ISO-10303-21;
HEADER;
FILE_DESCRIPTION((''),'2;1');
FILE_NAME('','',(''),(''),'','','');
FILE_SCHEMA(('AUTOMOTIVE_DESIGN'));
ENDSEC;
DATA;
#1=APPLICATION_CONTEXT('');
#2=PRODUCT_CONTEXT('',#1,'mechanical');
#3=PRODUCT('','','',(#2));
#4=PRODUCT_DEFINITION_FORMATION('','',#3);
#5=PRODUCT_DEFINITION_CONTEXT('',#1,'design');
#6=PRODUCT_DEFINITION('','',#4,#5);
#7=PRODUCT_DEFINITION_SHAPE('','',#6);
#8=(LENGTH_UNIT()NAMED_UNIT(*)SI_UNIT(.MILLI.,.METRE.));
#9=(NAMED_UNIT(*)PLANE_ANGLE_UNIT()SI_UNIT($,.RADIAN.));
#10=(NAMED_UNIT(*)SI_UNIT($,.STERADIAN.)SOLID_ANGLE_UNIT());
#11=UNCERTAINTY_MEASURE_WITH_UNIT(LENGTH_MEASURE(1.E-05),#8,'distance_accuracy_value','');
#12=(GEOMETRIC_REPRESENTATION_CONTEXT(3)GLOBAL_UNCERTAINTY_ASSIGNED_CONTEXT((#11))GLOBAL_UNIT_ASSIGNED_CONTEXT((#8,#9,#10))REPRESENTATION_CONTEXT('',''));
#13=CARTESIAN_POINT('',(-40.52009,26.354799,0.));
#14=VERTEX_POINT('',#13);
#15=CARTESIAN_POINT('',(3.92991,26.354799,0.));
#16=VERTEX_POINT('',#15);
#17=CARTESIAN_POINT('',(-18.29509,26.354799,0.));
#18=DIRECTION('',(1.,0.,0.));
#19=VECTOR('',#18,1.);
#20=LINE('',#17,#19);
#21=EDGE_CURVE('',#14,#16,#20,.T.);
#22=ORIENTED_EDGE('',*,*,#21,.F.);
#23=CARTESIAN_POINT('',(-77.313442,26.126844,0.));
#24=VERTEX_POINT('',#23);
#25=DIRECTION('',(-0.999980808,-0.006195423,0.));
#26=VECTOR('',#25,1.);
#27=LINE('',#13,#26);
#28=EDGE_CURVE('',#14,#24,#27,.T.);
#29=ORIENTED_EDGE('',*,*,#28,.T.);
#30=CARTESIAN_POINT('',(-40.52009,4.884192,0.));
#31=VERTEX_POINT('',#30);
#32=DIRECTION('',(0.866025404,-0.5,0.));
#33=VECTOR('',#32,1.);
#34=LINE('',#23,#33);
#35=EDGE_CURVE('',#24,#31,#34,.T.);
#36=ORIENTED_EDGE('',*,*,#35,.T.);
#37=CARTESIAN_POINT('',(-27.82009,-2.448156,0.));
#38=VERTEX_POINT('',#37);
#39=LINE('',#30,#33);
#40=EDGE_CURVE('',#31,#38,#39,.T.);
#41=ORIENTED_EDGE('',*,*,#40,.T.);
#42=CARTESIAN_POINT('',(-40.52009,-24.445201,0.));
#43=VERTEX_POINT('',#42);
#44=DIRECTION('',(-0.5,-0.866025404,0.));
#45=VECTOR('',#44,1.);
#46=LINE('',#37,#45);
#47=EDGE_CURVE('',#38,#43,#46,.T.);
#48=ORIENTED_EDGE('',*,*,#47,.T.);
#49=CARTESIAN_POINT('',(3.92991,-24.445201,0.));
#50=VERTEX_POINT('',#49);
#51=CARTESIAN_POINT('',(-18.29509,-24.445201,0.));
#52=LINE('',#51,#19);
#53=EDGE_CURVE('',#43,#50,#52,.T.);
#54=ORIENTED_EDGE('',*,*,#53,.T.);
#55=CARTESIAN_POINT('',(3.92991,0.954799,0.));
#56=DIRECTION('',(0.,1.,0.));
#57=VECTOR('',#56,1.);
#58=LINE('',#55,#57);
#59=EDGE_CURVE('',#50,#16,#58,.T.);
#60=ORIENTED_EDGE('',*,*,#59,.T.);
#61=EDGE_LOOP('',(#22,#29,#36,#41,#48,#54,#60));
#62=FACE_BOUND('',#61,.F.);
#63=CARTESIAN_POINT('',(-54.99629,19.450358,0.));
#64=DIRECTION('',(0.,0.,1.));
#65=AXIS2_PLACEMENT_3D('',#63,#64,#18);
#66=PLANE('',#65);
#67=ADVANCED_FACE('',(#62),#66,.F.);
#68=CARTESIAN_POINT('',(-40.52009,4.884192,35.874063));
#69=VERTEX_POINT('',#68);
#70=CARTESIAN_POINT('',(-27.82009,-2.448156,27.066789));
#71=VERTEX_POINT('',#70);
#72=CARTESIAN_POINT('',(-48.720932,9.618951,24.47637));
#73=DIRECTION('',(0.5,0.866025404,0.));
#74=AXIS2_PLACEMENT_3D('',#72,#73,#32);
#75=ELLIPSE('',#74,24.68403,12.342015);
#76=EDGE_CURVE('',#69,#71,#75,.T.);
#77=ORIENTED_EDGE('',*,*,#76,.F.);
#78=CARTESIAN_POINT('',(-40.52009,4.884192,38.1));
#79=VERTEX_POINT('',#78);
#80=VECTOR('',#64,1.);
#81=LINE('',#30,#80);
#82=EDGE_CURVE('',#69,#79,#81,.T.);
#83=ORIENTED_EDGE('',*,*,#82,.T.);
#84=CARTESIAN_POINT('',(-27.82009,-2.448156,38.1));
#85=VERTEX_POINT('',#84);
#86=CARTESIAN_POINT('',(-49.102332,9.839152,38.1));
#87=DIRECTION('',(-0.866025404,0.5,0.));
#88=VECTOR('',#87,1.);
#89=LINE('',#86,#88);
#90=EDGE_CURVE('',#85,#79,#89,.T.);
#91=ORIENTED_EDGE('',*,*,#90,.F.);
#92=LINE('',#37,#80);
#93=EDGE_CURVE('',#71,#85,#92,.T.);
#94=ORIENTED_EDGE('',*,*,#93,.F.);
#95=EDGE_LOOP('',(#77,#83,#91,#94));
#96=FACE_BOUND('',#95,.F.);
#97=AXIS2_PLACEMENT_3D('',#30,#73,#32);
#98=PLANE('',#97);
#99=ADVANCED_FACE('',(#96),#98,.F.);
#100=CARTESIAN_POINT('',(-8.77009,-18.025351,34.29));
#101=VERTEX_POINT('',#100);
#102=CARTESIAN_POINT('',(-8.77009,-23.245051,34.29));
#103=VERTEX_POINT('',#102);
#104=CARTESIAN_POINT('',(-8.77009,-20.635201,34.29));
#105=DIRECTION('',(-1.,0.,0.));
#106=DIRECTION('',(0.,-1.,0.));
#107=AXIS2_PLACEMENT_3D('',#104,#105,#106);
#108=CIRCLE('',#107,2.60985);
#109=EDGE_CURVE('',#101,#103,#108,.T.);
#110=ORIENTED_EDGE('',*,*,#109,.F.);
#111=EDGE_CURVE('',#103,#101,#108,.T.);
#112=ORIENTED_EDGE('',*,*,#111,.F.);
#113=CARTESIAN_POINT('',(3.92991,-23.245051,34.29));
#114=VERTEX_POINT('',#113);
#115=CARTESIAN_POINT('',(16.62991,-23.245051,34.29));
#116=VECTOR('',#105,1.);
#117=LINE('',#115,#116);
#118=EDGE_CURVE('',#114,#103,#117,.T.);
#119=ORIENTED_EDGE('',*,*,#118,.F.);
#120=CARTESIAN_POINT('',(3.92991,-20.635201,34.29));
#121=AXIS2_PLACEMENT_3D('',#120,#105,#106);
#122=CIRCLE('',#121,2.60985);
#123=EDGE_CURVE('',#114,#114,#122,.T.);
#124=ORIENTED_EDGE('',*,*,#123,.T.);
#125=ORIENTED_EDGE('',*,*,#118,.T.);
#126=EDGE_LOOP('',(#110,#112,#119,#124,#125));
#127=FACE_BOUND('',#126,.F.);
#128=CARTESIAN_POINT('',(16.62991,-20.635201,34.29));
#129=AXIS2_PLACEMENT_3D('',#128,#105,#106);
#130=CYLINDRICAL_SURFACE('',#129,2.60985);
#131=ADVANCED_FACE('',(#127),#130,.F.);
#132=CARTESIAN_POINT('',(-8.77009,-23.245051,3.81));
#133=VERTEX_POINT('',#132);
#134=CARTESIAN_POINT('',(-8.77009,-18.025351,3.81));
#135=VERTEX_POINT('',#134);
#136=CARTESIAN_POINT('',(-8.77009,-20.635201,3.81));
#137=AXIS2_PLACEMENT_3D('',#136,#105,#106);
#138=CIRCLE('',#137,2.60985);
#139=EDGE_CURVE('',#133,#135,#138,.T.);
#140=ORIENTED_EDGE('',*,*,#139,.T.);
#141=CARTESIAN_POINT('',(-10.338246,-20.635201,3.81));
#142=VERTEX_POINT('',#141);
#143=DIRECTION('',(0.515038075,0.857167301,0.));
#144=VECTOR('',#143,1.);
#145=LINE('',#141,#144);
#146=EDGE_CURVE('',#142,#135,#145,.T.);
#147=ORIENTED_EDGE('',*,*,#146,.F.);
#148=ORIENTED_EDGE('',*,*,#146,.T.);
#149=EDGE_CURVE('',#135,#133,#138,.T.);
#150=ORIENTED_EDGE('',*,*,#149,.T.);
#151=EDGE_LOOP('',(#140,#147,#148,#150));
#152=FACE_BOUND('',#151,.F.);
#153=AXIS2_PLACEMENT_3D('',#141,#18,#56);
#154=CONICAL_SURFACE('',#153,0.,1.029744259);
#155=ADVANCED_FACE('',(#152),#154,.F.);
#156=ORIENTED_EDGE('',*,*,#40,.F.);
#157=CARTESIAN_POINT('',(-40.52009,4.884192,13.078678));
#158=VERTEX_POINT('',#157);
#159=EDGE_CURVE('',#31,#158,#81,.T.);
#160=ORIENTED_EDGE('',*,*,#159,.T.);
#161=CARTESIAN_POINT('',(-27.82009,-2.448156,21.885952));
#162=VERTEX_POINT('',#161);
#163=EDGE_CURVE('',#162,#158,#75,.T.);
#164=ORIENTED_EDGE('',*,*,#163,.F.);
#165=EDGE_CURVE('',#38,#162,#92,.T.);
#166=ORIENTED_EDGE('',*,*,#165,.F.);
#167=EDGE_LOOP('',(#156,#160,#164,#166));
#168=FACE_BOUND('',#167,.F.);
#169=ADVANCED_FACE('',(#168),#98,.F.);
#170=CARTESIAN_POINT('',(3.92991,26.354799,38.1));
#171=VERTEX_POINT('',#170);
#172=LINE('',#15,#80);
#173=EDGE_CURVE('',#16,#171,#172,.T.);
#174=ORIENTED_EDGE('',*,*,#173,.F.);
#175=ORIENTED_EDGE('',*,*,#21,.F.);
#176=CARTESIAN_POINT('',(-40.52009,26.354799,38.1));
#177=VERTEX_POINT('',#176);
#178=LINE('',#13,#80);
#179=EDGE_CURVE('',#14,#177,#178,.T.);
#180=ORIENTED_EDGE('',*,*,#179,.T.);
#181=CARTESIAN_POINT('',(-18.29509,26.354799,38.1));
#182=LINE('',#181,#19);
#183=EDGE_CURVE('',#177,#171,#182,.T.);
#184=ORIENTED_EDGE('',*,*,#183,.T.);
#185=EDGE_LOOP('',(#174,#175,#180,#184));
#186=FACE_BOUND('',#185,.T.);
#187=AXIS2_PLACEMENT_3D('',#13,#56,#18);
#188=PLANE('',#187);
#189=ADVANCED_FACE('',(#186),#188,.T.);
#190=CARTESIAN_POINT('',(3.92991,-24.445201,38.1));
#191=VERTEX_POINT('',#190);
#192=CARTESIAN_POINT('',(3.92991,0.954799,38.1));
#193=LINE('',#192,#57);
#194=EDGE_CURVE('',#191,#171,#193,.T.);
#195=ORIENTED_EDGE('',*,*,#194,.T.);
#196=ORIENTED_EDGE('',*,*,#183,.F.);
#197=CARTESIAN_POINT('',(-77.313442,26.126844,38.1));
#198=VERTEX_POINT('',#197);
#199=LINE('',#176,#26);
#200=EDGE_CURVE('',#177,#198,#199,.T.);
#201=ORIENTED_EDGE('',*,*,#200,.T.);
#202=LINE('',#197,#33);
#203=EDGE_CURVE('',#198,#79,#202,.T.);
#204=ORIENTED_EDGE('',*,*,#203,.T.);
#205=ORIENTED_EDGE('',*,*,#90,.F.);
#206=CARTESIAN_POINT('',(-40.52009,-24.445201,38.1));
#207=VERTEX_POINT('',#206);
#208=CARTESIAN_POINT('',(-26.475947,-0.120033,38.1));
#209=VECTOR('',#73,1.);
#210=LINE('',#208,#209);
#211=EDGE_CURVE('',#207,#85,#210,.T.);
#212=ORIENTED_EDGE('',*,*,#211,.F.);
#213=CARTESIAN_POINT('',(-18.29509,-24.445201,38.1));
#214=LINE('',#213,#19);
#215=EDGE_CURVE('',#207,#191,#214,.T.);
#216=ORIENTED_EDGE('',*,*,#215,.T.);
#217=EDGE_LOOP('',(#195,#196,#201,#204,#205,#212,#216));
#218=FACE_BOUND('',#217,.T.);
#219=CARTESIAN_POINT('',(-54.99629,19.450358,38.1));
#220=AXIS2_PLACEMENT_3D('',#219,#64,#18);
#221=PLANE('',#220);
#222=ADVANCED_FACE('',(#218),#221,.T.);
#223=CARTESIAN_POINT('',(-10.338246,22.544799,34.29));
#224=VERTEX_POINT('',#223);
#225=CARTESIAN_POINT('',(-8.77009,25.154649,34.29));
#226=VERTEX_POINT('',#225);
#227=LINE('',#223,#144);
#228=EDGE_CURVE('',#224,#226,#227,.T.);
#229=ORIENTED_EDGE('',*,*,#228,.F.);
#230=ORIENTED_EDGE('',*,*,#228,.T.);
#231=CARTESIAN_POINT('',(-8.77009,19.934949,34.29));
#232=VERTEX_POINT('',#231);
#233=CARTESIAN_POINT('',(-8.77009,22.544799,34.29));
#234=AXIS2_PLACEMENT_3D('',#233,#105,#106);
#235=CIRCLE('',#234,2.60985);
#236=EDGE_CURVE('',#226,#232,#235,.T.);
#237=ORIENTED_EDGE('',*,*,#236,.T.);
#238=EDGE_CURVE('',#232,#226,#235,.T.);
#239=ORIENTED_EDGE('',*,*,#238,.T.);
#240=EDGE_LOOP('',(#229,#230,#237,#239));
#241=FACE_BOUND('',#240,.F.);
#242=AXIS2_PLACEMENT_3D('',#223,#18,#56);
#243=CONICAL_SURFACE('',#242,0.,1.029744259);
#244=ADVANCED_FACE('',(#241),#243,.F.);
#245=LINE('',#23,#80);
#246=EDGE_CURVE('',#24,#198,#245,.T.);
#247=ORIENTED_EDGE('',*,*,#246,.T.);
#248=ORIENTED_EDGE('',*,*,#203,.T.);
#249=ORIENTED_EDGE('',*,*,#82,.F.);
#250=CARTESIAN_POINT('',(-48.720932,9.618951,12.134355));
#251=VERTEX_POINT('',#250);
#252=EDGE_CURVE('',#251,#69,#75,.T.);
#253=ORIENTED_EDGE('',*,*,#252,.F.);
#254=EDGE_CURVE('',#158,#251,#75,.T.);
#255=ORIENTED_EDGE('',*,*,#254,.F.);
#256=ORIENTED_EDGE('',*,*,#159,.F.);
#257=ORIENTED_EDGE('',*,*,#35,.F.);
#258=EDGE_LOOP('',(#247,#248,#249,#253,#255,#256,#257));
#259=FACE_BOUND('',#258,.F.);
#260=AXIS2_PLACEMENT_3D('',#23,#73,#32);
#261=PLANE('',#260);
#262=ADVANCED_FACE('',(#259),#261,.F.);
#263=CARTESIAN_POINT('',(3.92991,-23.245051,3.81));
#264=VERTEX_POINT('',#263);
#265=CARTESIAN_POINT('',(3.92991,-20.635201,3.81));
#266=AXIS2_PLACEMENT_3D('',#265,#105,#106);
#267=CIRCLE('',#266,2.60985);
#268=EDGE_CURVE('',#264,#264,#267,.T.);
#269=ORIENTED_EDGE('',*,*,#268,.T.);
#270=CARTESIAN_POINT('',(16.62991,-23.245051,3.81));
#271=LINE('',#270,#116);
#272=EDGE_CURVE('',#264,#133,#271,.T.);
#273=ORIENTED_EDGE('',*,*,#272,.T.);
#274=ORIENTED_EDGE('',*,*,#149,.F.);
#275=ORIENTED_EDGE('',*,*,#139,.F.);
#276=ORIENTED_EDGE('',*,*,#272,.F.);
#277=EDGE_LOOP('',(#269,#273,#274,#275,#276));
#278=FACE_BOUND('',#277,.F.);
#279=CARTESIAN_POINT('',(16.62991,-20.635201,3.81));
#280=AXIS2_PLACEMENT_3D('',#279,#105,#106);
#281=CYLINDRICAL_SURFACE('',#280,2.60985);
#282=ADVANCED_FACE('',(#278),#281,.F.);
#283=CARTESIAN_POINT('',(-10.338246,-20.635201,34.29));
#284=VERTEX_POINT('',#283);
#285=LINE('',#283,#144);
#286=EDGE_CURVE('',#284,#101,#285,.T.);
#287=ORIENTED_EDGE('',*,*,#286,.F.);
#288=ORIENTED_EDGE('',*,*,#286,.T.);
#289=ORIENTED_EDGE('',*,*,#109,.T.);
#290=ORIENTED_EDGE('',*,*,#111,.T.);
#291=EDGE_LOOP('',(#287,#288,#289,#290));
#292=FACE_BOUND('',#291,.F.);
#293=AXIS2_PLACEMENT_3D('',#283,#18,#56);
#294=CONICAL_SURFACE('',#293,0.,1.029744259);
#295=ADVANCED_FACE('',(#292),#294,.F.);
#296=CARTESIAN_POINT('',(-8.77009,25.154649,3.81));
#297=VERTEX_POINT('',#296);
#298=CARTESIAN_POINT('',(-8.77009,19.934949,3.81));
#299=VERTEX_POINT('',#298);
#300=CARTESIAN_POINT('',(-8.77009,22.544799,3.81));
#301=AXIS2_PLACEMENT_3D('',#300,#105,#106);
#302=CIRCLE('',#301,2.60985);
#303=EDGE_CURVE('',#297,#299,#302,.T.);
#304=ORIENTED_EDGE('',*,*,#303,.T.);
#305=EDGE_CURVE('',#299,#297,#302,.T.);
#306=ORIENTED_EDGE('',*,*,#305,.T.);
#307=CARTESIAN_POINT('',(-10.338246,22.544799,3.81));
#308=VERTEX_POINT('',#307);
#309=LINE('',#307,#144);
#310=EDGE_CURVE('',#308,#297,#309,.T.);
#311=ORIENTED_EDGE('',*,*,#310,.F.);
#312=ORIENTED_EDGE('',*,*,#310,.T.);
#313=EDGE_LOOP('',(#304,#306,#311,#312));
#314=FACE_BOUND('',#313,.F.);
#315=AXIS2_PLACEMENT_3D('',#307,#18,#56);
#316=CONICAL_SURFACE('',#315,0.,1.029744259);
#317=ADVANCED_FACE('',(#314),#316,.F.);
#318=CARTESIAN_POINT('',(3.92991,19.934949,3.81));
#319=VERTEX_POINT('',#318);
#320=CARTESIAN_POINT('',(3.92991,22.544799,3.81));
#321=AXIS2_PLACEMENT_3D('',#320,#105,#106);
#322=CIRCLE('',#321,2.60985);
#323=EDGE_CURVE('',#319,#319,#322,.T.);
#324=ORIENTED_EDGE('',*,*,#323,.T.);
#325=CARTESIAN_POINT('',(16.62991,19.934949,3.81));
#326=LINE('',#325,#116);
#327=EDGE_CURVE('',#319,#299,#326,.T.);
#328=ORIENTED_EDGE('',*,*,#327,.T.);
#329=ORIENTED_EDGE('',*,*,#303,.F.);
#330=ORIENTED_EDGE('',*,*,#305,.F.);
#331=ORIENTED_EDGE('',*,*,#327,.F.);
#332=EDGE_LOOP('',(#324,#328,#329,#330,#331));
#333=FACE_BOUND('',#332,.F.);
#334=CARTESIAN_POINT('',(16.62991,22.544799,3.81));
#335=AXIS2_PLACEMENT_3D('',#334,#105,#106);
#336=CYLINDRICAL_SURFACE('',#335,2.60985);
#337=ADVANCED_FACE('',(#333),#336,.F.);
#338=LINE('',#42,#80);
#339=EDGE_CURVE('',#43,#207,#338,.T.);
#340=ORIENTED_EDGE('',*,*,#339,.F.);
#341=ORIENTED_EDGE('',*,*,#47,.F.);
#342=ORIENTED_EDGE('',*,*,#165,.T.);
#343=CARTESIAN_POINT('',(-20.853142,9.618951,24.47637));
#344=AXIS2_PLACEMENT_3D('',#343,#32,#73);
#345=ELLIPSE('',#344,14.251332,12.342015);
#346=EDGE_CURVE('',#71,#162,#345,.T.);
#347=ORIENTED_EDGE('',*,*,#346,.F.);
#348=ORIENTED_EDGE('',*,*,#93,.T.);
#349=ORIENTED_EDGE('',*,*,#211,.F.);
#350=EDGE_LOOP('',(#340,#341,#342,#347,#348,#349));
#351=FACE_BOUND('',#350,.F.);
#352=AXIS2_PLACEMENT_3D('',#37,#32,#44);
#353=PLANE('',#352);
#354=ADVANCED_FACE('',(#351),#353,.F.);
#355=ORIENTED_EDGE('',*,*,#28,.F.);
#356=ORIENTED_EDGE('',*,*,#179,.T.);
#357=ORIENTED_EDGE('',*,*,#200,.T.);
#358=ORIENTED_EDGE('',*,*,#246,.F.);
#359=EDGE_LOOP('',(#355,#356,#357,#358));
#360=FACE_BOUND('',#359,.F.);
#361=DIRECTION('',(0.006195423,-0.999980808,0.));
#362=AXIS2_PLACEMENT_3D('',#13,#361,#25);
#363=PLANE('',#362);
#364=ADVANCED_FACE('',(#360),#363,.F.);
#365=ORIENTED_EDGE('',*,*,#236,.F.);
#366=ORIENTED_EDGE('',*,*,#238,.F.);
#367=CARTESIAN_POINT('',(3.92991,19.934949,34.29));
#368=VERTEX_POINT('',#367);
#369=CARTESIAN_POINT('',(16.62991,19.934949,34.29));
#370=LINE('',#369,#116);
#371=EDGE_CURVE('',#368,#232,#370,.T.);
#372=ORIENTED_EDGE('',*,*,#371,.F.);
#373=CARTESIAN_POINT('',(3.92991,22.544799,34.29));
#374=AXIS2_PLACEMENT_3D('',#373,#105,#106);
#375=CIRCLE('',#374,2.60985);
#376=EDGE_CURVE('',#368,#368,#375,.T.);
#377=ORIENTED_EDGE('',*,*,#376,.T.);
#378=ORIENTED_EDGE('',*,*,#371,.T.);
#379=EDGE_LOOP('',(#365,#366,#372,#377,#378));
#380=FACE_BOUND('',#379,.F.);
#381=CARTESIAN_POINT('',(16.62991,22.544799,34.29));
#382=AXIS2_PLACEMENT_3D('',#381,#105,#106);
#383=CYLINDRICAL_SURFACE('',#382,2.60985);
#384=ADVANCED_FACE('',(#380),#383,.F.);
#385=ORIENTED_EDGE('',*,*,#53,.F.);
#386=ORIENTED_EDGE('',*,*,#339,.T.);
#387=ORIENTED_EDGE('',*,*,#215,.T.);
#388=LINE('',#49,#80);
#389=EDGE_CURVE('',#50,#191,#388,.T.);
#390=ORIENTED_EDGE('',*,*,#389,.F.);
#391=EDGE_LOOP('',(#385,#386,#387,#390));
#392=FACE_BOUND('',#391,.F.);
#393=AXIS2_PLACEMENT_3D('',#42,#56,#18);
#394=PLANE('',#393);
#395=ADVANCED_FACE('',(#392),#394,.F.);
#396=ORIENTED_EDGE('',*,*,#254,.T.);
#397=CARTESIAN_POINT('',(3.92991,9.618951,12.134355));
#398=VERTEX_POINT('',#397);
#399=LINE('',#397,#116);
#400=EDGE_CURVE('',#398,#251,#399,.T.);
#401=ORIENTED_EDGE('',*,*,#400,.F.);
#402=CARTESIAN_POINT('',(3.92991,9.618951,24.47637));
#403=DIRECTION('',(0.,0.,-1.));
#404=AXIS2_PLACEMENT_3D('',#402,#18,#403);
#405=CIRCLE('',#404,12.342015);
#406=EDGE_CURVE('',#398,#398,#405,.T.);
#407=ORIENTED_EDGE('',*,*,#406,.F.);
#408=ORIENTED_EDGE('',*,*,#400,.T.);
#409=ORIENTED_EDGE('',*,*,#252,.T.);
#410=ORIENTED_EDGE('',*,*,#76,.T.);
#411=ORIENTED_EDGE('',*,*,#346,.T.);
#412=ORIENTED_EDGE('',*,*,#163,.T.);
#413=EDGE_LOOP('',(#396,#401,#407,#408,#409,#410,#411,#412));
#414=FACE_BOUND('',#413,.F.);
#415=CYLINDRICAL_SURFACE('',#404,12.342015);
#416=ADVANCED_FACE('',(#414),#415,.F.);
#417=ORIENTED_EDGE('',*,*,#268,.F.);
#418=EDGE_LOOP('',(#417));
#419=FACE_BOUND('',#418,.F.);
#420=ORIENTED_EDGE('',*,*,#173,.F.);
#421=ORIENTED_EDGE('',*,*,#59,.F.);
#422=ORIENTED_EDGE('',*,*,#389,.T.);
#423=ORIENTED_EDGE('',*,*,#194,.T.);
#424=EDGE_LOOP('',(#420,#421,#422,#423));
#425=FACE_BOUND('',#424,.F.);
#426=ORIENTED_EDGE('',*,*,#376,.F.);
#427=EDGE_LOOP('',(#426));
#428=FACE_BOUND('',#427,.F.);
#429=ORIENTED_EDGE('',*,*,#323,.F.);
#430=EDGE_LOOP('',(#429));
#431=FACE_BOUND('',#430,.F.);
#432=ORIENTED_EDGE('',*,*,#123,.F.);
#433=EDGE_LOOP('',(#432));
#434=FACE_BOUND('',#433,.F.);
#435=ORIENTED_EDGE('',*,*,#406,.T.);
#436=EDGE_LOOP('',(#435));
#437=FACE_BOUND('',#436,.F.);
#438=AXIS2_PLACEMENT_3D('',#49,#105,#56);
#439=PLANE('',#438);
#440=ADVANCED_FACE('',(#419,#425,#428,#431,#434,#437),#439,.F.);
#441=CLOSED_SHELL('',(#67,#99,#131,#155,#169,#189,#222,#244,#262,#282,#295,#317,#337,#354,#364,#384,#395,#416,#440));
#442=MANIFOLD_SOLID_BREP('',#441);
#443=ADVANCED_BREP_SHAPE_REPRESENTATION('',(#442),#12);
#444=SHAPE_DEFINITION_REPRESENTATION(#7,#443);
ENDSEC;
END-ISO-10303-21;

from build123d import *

# Parameters (mm, degrees)
SKETCH2_W                       = 44.45
SKETCH2_H                       = 50.8
BOSS_EXTRUDE2_DEPTH             = 38.1
F_5_0_2055_DIAMETER_HOLE1_D     = 5.2197
F_5_0_2055_DIAMETER_HOLE1_DEPTH = 12.7
F_5_0_2055_DIAMETER_HOLE1_TIP   = 1.568156087
BOSS_EXTRUDE3_DEPTH             = 38.1
CUT_EXTRUDE2_DEPTH              = 39.1
SKETCH3_R                       = 12.342015131
CUT_EXTRUDE1_DEPTH              = 1
CUT_EXTRUDE1_DEPTH_BACK         = 82.243351826


with BuildPart() as part:
    # Sketch2 → Boss-Extrude2 (new body)
    with BuildSketch(Plane.XY):
        with Locations((-18.295089844, 0.954798727)):
            Rectangle(SKETCH2_W, SKETCH2_H)
    extrude(amount=BOSS_EXTRUDE2_DEPTH)

    # #5 (0.2055) Diameter Hole1
    with Locations(Plane(origin=(3.929910156, 22.544798727, 34.29), x_dir=(0, 1, 0), z_dir=(1, 0, 0))):
        with Locations((0, 0), (0, -30.48), (-43.18, -30.48), (-43.18, 0)):
            Hole(F_5_0_2055_DIAMETER_HOLE1_D / 2, depth=F_5_0_2055_DIAMETER_HOLE1_DEPTH)
            with Locations((0, 0, -(F_5_0_2055_DIAMETER_HOLE1_DEPTH + F_5_0_2055_DIAMETER_HOLE1_TIP / 2))):  # 118° drill point
                Cone(0, F_5_0_2055_DIAMETER_HOLE1_D / 2, F_5_0_2055_DIAMETER_HOLE1_TIP, mode=Mode.SUBTRACT)

    # Sketch6 → Boss-Extrude3 (add)
    with BuildSketch(Plane(origin=(0, 0, 0), x_dir=(-1, 0, 0), z_dir=(0, 0, -1))):
        Polygon((40.520089844, 26.354798727), (77.31344167, 26.126843983), (40.520089844, 4.884192402), align=None)
    extrude(amount=-BOSS_EXTRUDE3_DEPTH)

    # Sketch7 → Cut-Extrude2 (cut, through all)
    with BuildSketch(Plane(origin=(0, 0, 0), x_dir=(-1, 0, 0), z_dir=(0, 0, -1))):
        Polygon((40.520089844, 4.884192402), (27.820089844, -2.448156017), (40.520089844, -24.445201273), align=None)
    extrude(amount=-CUT_EXTRUDE2_DEPTH, mode=Mode.SUBTRACT)

    # Sketch3 → Cut-Extrude1 (cut, two sides)
    with BuildSketch(Plane(origin=(3.929910156, 0, 0), x_dir=(0, 0, -1), z_dir=(1, 0, 0))) as cut_extrude1_sk:
        with Locations((-24.476370381, 9.6189509)):
            Circle(SKETCH3_R)
    extrude(amount=CUT_EXTRUDE1_DEPTH, mode=Mode.SUBTRACT)
    extrude(cut_extrude1_sk.sketch, amount=-CUT_EXTRUDE1_DEPTH_BACK, mode=Mode.SUBTRACT)


solid = part.part
